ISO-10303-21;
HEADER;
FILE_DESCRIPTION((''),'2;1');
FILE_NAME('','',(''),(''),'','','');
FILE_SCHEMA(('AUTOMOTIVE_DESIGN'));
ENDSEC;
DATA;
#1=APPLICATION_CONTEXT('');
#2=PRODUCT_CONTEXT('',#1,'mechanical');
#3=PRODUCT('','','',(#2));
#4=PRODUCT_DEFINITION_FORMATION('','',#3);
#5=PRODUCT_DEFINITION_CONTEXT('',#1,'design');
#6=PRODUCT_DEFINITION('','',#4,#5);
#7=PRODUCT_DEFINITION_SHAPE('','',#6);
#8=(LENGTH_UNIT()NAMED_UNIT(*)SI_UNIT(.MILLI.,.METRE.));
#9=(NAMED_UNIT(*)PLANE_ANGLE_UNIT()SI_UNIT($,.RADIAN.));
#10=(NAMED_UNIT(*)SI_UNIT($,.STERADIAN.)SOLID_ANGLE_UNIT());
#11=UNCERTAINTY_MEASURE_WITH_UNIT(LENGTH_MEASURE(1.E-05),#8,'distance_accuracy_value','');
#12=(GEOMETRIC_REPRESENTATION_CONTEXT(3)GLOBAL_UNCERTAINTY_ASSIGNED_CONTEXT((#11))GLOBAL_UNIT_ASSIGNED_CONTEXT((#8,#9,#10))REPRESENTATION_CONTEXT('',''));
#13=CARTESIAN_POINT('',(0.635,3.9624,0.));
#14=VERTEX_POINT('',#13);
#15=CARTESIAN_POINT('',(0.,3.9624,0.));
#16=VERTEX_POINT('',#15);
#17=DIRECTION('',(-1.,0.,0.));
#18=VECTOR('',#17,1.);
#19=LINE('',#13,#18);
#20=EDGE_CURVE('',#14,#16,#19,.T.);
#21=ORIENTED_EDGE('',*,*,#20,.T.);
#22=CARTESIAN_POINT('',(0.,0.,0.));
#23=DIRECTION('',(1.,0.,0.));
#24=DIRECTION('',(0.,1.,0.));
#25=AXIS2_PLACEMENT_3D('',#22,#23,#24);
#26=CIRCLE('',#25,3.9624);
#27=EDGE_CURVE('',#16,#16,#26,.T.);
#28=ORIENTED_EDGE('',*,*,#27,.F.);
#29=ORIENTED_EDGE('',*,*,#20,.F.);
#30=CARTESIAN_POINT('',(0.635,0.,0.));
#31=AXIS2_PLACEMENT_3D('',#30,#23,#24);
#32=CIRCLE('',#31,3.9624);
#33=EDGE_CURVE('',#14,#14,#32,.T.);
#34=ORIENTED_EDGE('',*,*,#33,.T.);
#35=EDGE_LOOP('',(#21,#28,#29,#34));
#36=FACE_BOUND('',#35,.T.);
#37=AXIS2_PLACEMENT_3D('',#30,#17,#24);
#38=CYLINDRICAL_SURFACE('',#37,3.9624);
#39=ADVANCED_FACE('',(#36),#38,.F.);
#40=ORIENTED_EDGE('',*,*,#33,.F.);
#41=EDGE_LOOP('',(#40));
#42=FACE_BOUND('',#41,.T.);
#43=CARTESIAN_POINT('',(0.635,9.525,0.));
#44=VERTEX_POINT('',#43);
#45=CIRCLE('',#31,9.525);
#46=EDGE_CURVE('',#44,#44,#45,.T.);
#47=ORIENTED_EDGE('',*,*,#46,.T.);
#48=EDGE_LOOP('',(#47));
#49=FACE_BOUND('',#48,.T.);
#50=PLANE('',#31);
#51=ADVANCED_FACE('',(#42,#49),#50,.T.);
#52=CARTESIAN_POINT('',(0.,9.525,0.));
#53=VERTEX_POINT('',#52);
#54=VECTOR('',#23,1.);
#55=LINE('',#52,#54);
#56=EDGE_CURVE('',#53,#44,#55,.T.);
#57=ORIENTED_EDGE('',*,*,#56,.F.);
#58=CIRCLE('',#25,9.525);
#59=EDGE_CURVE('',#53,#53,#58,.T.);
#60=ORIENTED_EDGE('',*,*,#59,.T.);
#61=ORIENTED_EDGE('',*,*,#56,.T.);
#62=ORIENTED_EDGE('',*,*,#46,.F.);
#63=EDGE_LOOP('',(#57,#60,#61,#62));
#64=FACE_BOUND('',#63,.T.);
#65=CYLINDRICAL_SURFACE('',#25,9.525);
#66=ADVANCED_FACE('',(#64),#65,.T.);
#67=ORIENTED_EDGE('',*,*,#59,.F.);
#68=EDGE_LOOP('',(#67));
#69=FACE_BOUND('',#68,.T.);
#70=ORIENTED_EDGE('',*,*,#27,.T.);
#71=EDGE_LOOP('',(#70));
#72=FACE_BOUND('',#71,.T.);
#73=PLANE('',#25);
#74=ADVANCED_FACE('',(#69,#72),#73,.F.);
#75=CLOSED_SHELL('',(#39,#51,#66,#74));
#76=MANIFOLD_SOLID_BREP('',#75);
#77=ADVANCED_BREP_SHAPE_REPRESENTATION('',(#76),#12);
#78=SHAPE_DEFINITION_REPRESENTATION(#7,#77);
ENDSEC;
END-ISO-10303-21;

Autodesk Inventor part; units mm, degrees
ref_plane "YZ Plane" through (0, 0, 0) normal (1, 0, 0) x (0, 1, 0)
ref_plane "XZ Plane" through (0, 0, 0) normal (0, 1, 0) x (-1, 0, 0)
ref_plane "XY Plane" through (0, 0, 0) normal (0, 0, 1) x (1, 0, 0)
sketch "Sketch1" plane through (0, 0, 0) normal (0, 0, 1) x (1, 0, 0)
  line L0 (0, 0) -> (0, 3.9624)
  line L1 (0, 0) -> (0, 9.525)
  line L2 (0, 9.525) -> (0.635, 9.525)
  line L3 (0.635, 9.525) -> (0.635, 3.9624)
  line L4 (0.635, 3.9624) -> (0, 3.9624)
  line L5 (0, 0) -> (4.048, 0)
  line L6 (0, 9.525) -> (0.635, 9.525)
  line L7 (0.635, 9.525) -> (0.635, 3.9624)
  line L8 (0.635, 3.9624) -> (0, 3.9624)
  line L9 (0, 3.9624) -> (0, 9.525)
  dimension "d3" = 3.9624
  dimension "d4" = 9.525
  dimension "d5" = 0.635
revolve "Revolution1" add sketch "Sketch1" angle 360 about axis through (0, 0, 0) along (1, 0, 0)
properties part number "WasherForThread_5_16_18" material "Stainless Steel"
